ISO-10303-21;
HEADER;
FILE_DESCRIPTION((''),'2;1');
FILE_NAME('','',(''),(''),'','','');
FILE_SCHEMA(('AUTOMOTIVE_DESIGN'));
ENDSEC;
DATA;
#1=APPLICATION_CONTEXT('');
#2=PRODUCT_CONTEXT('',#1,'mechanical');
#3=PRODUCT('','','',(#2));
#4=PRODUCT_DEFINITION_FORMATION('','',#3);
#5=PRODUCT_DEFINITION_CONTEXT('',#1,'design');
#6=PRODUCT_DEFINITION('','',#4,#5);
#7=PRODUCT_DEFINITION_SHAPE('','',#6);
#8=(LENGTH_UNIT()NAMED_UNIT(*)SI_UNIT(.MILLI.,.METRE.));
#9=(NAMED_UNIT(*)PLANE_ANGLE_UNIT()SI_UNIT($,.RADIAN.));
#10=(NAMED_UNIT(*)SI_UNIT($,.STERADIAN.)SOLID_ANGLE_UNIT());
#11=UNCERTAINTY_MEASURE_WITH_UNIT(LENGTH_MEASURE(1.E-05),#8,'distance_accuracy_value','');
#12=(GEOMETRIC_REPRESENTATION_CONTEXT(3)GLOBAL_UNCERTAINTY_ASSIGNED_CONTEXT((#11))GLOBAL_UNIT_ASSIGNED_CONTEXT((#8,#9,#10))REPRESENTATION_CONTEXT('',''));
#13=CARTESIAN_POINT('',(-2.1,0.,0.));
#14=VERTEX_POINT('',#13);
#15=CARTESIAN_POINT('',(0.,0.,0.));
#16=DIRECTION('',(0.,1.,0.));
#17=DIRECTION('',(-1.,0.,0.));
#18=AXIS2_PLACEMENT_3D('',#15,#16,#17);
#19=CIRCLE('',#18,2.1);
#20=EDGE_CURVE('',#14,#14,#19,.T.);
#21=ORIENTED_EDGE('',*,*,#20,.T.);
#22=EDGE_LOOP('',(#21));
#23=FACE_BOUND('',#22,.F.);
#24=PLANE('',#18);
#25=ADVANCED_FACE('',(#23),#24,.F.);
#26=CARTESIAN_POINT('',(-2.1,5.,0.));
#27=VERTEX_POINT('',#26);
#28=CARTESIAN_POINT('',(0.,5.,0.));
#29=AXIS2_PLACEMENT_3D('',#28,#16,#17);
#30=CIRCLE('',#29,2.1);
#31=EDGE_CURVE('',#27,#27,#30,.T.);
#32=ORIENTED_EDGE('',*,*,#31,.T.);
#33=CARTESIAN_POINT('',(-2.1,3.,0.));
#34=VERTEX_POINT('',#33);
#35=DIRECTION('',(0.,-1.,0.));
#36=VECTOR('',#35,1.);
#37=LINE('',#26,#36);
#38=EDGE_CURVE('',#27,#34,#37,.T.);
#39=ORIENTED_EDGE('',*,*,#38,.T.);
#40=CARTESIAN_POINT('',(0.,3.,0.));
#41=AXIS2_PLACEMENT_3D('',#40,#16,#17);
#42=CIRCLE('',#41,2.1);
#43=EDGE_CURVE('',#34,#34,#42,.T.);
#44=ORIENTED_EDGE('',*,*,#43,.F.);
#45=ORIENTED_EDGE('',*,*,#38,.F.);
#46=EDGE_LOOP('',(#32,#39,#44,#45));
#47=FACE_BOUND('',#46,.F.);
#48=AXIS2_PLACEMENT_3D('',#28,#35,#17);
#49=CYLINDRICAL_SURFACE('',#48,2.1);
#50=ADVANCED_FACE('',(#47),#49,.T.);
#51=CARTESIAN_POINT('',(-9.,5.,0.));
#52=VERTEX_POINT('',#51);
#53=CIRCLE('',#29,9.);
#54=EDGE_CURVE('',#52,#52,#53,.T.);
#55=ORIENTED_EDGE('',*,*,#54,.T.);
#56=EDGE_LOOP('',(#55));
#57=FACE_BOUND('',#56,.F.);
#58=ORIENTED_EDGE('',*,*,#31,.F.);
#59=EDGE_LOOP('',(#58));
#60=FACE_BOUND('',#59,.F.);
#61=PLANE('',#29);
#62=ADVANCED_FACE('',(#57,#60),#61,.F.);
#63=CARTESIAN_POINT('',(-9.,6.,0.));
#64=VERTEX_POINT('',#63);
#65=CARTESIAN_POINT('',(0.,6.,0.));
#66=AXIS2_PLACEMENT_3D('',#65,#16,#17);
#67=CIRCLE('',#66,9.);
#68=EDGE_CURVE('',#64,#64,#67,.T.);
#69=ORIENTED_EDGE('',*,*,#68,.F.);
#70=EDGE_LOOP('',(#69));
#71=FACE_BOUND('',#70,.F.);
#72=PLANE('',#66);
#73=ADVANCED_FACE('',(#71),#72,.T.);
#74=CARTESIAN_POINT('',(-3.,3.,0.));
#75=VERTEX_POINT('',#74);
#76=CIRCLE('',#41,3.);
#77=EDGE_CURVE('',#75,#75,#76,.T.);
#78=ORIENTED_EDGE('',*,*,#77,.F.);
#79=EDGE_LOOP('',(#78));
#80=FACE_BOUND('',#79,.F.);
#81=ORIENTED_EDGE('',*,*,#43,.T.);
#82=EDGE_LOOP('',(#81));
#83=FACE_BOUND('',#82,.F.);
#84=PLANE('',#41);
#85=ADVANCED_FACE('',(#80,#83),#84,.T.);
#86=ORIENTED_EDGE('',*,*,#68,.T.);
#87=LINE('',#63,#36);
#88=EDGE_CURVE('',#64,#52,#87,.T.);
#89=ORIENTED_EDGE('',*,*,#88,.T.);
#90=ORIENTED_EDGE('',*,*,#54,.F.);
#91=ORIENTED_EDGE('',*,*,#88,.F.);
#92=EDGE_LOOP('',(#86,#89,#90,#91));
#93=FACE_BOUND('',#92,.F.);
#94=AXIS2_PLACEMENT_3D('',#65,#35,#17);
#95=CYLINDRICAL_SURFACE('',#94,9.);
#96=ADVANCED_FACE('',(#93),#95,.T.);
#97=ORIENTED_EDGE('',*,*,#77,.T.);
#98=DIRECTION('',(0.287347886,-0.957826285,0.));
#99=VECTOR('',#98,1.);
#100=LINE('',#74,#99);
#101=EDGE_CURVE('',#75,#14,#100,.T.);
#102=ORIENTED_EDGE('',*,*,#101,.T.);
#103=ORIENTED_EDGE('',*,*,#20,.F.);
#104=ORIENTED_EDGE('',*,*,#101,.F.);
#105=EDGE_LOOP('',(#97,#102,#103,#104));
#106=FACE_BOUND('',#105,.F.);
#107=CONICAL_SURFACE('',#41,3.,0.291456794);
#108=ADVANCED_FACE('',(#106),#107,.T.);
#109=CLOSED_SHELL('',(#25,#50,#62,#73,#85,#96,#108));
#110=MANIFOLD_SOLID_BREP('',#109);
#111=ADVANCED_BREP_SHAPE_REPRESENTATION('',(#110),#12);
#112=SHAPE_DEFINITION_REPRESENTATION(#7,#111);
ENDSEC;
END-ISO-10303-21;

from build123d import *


with BuildPart() as part:
    # Sketch1 → Revolve1 (revolve)
    with BuildSketch(Plane.XY):
        Polygon((0, 0), (0, 6), (-9, 6), (-9, 5), (-2.1, 5), (-2.1, 3), (-3, 3), (-2.1, 0), align=None)
    revolve(axis=Axis((0, 0, 0), (0, 1, 0)))


solid = part.part
